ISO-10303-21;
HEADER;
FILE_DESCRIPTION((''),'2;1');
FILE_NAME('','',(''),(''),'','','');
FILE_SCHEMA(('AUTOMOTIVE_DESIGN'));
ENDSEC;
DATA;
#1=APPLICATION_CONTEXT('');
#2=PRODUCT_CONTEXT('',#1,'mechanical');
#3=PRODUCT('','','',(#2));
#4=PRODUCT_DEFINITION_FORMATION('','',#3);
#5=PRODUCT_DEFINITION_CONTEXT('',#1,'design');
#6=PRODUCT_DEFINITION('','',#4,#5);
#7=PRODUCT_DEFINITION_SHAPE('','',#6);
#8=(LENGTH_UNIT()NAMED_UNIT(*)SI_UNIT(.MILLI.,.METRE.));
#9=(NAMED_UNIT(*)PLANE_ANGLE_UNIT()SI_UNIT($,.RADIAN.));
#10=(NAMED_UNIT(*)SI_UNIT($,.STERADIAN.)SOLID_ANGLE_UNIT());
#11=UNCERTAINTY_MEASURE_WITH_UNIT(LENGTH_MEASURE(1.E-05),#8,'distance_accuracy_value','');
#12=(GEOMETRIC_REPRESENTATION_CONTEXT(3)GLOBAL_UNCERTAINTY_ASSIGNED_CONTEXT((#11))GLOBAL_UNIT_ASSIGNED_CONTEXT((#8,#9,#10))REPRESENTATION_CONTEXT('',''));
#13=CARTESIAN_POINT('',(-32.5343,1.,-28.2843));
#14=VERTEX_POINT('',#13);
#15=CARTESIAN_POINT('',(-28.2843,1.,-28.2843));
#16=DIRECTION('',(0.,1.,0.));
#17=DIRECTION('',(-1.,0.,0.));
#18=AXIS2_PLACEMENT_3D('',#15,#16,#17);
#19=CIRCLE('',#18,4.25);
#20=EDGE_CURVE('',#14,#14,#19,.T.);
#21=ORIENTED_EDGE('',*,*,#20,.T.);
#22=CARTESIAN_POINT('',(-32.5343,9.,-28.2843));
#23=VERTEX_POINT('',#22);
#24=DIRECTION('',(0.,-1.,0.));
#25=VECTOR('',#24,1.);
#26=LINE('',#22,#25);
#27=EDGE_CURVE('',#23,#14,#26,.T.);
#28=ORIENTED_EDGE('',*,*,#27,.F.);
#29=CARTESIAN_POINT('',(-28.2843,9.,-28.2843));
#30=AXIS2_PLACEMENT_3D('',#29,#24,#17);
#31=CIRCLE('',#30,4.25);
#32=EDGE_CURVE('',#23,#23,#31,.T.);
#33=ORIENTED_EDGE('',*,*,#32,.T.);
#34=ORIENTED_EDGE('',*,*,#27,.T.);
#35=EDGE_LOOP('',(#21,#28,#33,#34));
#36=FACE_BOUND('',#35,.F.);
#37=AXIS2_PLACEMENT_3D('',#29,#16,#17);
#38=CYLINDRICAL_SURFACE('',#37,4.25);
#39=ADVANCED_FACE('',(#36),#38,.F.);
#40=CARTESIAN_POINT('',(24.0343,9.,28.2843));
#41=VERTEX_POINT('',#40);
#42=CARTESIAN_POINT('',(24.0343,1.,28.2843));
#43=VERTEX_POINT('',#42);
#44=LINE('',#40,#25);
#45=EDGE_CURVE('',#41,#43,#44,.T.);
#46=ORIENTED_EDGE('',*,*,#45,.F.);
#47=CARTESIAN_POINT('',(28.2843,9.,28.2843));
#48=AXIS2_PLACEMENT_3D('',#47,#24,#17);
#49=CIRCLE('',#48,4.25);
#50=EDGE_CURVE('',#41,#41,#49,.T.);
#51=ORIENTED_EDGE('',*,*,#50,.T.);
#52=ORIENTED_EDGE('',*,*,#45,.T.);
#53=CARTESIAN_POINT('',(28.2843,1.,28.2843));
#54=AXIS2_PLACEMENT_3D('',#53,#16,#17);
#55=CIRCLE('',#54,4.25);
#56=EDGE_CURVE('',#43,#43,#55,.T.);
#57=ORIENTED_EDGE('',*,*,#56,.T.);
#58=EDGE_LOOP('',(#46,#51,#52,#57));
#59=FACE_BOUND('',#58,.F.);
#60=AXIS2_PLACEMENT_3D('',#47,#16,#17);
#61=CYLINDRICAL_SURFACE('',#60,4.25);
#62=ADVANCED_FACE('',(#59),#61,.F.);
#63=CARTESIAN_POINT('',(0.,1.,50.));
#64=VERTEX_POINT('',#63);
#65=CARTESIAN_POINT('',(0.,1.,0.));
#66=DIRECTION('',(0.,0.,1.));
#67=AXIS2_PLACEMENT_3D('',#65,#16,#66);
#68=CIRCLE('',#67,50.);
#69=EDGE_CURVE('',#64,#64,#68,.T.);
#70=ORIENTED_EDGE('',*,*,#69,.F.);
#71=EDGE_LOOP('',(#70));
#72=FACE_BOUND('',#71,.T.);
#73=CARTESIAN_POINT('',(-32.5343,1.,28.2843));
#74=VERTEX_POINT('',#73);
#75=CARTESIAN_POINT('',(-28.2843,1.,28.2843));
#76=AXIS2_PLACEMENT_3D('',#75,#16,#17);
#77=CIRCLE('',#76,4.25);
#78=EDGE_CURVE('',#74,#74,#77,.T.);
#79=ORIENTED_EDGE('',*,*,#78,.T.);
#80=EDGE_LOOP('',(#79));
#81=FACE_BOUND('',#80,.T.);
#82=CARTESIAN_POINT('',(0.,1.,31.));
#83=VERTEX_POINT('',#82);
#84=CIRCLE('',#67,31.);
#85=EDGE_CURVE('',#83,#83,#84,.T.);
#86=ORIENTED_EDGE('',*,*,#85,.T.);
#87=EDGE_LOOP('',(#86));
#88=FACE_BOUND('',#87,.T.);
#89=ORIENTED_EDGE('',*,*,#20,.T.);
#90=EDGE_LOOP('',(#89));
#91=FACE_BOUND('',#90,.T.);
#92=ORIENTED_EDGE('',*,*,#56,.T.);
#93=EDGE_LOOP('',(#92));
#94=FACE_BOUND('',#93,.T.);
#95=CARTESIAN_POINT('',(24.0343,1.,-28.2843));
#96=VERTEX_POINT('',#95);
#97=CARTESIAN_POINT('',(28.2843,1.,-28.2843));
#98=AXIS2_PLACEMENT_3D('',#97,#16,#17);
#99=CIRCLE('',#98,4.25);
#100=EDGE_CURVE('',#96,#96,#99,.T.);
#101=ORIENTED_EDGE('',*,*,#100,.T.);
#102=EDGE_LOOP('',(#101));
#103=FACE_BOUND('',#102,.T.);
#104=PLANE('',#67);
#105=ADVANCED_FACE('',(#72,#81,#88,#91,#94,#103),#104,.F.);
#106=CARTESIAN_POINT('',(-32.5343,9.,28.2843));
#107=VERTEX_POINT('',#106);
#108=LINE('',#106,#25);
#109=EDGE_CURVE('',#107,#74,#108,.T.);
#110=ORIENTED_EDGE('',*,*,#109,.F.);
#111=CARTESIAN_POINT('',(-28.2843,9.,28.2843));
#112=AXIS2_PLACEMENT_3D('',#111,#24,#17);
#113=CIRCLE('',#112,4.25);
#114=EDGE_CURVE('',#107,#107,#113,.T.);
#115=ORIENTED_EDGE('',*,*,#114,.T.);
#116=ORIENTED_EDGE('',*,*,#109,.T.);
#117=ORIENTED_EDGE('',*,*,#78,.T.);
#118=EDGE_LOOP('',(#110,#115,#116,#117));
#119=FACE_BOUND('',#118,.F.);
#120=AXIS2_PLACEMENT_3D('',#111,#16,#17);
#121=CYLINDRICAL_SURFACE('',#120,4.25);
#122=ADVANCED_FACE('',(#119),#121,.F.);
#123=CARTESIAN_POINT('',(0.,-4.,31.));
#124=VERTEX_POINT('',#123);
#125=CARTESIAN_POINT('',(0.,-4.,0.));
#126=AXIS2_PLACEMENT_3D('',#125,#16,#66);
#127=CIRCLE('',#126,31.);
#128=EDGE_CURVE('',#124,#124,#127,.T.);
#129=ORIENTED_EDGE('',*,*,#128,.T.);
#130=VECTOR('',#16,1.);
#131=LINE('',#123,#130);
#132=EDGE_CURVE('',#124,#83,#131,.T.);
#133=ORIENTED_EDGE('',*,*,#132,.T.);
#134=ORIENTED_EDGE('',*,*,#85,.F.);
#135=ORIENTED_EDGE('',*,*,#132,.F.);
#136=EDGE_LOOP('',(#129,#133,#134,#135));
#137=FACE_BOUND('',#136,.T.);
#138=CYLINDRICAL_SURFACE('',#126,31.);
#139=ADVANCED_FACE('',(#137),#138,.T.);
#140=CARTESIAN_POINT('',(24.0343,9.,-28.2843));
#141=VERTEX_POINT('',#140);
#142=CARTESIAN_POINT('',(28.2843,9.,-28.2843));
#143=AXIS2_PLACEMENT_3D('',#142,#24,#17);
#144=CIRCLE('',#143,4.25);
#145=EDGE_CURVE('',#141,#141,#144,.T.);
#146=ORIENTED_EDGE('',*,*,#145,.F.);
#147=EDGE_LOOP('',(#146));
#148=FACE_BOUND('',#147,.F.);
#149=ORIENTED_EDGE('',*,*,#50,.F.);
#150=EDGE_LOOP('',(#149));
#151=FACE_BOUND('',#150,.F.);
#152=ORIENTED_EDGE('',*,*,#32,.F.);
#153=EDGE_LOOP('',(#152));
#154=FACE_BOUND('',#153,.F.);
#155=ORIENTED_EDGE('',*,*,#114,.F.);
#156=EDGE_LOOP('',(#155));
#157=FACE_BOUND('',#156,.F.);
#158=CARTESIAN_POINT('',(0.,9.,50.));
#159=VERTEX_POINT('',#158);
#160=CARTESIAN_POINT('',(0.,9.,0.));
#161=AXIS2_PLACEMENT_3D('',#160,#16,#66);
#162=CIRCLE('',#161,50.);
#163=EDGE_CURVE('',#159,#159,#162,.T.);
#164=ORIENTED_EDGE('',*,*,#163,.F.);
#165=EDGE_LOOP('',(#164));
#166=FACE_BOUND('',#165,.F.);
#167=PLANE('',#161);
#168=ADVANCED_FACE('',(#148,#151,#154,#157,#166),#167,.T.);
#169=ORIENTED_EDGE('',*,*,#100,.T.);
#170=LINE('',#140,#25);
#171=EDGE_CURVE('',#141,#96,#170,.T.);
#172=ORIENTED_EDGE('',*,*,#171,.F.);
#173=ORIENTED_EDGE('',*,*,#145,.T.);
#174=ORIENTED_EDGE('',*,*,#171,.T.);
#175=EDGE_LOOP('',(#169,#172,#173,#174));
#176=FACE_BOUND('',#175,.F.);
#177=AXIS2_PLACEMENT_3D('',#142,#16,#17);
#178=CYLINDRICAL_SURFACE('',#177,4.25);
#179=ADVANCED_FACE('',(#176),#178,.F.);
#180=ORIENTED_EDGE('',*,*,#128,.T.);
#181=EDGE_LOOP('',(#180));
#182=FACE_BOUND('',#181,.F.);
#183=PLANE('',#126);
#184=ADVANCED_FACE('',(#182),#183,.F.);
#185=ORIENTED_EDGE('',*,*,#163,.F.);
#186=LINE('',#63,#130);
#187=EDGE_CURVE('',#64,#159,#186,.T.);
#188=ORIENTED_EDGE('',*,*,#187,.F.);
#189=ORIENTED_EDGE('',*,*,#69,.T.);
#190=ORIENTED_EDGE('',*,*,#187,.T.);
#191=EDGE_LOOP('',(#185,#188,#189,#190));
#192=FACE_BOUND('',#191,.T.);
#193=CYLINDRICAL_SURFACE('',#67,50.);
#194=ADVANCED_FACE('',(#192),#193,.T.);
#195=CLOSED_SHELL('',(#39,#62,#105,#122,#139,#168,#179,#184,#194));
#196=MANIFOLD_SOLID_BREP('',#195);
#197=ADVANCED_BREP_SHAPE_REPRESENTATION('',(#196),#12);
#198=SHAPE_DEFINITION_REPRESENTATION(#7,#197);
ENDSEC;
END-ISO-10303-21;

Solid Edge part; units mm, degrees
sketch "Sketch1" plane through (0, 0, 0) normal (1, 0, 0) x (0, 1, 0)
  line L0 (9, 39) -> (9, 50)
  line L1 (1, 50) -> (9, 50)
  line L2 (1, 31) -> (1, 50)
  line L3 (-4, 31) -> (1, 31)
  line L4 (-4, 31) -> (-4, 0)
  line L5 (-4, 0) -> (5, 0)
  line L6 (5, 0) -> (9, 0)
  line L7 (9, 31) -> (9, 0)
  line L8 (9, 36) -> (9, 31)
  line L9 (9, 39) -> (9, 36)
revolve "RevolvedProtrusion1" add sketch "Sketch1" angle 360 about axis through (0, -22.1591, 0) along (0, 1, 0)
sketch "Sketch2" plane through (0, 9, 0) normal (0, 1, 0) x (-1, 0, 0)
  circle A0 centre (-28.2843, 28.2843) radius 4.25
  circle A1 centre (28.2843, 28.2843) radius 4.25
  circle A2 centre (-28.2843, -28.2843) radius 4.25
  circle A3 centre (28.2843, -28.2843) radius 4.25
extrude "Cutout1" cut sketch "Sketch2" against normal up to vertex (125.4935 mm away)
